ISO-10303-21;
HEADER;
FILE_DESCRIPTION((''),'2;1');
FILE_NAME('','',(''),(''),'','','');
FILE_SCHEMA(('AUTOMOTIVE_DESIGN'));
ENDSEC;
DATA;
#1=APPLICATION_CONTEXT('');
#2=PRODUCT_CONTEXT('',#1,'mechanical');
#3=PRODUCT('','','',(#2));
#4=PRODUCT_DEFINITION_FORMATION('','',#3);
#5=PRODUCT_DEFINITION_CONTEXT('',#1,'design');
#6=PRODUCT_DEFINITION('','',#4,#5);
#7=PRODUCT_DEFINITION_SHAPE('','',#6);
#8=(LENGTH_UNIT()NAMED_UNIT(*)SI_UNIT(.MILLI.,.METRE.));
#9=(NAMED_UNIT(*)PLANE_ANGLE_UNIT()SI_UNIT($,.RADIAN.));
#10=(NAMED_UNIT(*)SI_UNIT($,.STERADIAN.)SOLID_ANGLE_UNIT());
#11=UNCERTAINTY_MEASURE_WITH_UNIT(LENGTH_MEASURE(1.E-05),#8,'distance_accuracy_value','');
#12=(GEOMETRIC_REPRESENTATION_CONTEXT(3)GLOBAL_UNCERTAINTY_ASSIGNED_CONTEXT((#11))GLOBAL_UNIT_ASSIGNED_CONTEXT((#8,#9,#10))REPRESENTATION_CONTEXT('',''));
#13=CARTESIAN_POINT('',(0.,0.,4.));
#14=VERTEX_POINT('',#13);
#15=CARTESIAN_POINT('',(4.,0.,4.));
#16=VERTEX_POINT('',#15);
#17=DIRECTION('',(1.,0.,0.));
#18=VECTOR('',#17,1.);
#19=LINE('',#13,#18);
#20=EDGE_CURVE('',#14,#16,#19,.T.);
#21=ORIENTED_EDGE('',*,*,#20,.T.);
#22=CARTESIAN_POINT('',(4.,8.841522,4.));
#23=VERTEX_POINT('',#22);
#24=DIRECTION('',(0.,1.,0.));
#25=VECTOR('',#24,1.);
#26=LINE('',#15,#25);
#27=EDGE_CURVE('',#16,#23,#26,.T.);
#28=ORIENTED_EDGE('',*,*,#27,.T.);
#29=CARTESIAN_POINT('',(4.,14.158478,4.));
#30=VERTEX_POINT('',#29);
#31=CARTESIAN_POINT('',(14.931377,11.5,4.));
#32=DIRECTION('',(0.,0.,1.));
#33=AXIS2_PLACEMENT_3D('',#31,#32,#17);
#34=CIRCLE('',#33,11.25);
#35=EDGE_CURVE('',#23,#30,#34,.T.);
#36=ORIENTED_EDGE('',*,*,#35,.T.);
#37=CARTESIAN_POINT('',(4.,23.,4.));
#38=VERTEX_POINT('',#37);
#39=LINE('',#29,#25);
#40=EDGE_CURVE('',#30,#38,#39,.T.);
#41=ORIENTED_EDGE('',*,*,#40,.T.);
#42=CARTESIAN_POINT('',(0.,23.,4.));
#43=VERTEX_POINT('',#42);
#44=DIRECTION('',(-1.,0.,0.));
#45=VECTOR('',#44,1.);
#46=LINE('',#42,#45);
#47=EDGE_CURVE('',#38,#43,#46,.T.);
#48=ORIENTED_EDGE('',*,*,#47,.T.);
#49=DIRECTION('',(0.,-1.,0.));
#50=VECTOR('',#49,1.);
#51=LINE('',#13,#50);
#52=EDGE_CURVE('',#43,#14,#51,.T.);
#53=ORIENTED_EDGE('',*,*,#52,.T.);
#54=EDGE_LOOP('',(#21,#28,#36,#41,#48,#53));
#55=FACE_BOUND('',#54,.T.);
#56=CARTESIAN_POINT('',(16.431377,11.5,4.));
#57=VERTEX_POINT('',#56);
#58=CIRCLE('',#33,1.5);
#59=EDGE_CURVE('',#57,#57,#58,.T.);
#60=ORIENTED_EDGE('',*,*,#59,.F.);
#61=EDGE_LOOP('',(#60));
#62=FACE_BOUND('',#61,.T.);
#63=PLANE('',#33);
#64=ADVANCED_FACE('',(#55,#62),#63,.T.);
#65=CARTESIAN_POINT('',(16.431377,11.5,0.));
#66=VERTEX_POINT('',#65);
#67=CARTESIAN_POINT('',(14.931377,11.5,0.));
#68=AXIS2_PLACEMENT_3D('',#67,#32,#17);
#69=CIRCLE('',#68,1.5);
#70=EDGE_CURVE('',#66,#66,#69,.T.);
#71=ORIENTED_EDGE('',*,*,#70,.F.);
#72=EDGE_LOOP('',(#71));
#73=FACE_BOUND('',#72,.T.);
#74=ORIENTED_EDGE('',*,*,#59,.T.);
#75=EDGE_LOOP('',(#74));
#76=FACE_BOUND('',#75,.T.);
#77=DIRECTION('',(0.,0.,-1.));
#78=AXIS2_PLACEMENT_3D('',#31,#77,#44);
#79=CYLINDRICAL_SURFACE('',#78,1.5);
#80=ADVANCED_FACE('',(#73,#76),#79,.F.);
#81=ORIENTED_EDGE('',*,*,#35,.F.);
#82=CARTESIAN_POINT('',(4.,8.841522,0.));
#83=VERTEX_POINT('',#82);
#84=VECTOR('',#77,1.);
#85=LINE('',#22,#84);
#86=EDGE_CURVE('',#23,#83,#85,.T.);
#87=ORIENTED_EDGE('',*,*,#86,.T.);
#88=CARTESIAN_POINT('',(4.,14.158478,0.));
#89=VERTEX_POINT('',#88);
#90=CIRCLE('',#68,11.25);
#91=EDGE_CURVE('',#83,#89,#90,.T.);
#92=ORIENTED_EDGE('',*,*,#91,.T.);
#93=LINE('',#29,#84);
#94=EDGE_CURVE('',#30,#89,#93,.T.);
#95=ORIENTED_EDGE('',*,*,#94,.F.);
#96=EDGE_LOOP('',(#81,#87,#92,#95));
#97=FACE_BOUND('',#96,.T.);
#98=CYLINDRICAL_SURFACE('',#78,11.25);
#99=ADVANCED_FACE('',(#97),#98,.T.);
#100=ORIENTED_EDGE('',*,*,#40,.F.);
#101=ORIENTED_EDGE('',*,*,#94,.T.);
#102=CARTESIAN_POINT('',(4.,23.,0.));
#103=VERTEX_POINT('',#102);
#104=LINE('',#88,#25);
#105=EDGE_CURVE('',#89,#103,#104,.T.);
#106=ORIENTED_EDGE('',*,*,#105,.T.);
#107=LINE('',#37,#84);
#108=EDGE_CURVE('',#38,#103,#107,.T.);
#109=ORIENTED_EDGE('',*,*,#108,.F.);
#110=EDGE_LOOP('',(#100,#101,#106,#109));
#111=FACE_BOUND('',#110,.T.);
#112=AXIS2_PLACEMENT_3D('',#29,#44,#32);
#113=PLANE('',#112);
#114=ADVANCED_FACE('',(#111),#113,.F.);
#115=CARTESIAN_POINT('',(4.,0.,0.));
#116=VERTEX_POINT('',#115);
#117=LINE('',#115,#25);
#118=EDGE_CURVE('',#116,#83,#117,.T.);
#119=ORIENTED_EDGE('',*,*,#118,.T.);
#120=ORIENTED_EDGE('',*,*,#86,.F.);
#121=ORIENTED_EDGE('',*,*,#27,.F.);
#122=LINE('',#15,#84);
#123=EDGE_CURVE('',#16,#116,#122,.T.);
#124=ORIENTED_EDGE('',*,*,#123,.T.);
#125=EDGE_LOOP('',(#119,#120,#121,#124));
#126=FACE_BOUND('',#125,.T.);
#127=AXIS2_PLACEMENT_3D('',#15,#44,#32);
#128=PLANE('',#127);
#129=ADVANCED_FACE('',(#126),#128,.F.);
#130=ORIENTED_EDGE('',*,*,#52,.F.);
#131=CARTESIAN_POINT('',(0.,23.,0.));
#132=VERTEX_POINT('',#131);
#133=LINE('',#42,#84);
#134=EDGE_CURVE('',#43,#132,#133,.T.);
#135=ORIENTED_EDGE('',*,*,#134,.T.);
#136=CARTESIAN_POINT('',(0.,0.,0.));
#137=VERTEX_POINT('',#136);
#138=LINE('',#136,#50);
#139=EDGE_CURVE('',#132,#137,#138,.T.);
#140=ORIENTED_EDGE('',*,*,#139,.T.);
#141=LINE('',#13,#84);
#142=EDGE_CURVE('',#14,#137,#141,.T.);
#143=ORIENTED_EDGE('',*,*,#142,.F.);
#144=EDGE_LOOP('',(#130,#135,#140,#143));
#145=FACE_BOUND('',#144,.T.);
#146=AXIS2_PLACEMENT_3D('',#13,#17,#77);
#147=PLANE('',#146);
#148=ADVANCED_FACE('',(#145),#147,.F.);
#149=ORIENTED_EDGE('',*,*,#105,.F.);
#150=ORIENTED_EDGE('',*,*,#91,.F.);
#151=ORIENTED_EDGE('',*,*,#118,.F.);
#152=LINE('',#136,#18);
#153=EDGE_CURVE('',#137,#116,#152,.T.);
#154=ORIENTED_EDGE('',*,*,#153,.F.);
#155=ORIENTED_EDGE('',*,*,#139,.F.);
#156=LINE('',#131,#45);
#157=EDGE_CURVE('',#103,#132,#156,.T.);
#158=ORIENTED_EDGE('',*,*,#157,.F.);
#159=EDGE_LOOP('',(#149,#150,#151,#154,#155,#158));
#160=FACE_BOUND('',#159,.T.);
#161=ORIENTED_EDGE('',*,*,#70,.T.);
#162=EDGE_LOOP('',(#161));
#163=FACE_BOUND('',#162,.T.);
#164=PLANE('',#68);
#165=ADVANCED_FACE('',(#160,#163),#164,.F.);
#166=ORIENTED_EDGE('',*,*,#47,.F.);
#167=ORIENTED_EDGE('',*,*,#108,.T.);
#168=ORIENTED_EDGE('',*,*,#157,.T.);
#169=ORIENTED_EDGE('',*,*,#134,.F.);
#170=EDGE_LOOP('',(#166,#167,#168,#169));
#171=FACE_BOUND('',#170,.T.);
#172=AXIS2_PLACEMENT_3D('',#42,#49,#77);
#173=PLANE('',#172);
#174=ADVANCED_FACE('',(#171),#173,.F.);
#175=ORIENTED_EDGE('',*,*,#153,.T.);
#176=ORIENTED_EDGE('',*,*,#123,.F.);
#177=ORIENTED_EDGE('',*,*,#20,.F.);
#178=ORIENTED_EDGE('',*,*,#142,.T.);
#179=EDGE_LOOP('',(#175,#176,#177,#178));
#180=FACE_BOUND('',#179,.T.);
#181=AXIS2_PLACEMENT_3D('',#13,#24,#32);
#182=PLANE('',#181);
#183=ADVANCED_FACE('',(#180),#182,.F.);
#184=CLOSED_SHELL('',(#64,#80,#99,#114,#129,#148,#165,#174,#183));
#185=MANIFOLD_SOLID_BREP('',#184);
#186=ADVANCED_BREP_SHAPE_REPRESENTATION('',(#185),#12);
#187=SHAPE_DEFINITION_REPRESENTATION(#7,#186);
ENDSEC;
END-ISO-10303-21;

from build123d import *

# Parameters (mm, degrees)
SKETCH_1_R      = 1.5
EXTRUDE_1_DEPTH = 4


with BuildPart() as part:
    # Эскиз1 → Бобышка-Вытянуть1 (new body)
    with BuildSketch(Plane.XY):
        with BuildLine():
            Line((4, 0), (4, 8.841521673))
            ThreePointArc((4, 8.841521673), (26.181376537, 11.5), (4, 14.158478327))
            Line((4, 14.158478327), (4, 23))
            Line((4, 23), (0, 23))
            Line((0, 23), (0, 0))
            Line((0, 0), (4, 0))
        make_face()
        with Locations((14.931376537, 11.5)):
            Circle(SKETCH_1_R, mode=Mode.SUBTRACT)
    extrude(amount=EXTRUDE_1_DEPTH)


solid = part.part
